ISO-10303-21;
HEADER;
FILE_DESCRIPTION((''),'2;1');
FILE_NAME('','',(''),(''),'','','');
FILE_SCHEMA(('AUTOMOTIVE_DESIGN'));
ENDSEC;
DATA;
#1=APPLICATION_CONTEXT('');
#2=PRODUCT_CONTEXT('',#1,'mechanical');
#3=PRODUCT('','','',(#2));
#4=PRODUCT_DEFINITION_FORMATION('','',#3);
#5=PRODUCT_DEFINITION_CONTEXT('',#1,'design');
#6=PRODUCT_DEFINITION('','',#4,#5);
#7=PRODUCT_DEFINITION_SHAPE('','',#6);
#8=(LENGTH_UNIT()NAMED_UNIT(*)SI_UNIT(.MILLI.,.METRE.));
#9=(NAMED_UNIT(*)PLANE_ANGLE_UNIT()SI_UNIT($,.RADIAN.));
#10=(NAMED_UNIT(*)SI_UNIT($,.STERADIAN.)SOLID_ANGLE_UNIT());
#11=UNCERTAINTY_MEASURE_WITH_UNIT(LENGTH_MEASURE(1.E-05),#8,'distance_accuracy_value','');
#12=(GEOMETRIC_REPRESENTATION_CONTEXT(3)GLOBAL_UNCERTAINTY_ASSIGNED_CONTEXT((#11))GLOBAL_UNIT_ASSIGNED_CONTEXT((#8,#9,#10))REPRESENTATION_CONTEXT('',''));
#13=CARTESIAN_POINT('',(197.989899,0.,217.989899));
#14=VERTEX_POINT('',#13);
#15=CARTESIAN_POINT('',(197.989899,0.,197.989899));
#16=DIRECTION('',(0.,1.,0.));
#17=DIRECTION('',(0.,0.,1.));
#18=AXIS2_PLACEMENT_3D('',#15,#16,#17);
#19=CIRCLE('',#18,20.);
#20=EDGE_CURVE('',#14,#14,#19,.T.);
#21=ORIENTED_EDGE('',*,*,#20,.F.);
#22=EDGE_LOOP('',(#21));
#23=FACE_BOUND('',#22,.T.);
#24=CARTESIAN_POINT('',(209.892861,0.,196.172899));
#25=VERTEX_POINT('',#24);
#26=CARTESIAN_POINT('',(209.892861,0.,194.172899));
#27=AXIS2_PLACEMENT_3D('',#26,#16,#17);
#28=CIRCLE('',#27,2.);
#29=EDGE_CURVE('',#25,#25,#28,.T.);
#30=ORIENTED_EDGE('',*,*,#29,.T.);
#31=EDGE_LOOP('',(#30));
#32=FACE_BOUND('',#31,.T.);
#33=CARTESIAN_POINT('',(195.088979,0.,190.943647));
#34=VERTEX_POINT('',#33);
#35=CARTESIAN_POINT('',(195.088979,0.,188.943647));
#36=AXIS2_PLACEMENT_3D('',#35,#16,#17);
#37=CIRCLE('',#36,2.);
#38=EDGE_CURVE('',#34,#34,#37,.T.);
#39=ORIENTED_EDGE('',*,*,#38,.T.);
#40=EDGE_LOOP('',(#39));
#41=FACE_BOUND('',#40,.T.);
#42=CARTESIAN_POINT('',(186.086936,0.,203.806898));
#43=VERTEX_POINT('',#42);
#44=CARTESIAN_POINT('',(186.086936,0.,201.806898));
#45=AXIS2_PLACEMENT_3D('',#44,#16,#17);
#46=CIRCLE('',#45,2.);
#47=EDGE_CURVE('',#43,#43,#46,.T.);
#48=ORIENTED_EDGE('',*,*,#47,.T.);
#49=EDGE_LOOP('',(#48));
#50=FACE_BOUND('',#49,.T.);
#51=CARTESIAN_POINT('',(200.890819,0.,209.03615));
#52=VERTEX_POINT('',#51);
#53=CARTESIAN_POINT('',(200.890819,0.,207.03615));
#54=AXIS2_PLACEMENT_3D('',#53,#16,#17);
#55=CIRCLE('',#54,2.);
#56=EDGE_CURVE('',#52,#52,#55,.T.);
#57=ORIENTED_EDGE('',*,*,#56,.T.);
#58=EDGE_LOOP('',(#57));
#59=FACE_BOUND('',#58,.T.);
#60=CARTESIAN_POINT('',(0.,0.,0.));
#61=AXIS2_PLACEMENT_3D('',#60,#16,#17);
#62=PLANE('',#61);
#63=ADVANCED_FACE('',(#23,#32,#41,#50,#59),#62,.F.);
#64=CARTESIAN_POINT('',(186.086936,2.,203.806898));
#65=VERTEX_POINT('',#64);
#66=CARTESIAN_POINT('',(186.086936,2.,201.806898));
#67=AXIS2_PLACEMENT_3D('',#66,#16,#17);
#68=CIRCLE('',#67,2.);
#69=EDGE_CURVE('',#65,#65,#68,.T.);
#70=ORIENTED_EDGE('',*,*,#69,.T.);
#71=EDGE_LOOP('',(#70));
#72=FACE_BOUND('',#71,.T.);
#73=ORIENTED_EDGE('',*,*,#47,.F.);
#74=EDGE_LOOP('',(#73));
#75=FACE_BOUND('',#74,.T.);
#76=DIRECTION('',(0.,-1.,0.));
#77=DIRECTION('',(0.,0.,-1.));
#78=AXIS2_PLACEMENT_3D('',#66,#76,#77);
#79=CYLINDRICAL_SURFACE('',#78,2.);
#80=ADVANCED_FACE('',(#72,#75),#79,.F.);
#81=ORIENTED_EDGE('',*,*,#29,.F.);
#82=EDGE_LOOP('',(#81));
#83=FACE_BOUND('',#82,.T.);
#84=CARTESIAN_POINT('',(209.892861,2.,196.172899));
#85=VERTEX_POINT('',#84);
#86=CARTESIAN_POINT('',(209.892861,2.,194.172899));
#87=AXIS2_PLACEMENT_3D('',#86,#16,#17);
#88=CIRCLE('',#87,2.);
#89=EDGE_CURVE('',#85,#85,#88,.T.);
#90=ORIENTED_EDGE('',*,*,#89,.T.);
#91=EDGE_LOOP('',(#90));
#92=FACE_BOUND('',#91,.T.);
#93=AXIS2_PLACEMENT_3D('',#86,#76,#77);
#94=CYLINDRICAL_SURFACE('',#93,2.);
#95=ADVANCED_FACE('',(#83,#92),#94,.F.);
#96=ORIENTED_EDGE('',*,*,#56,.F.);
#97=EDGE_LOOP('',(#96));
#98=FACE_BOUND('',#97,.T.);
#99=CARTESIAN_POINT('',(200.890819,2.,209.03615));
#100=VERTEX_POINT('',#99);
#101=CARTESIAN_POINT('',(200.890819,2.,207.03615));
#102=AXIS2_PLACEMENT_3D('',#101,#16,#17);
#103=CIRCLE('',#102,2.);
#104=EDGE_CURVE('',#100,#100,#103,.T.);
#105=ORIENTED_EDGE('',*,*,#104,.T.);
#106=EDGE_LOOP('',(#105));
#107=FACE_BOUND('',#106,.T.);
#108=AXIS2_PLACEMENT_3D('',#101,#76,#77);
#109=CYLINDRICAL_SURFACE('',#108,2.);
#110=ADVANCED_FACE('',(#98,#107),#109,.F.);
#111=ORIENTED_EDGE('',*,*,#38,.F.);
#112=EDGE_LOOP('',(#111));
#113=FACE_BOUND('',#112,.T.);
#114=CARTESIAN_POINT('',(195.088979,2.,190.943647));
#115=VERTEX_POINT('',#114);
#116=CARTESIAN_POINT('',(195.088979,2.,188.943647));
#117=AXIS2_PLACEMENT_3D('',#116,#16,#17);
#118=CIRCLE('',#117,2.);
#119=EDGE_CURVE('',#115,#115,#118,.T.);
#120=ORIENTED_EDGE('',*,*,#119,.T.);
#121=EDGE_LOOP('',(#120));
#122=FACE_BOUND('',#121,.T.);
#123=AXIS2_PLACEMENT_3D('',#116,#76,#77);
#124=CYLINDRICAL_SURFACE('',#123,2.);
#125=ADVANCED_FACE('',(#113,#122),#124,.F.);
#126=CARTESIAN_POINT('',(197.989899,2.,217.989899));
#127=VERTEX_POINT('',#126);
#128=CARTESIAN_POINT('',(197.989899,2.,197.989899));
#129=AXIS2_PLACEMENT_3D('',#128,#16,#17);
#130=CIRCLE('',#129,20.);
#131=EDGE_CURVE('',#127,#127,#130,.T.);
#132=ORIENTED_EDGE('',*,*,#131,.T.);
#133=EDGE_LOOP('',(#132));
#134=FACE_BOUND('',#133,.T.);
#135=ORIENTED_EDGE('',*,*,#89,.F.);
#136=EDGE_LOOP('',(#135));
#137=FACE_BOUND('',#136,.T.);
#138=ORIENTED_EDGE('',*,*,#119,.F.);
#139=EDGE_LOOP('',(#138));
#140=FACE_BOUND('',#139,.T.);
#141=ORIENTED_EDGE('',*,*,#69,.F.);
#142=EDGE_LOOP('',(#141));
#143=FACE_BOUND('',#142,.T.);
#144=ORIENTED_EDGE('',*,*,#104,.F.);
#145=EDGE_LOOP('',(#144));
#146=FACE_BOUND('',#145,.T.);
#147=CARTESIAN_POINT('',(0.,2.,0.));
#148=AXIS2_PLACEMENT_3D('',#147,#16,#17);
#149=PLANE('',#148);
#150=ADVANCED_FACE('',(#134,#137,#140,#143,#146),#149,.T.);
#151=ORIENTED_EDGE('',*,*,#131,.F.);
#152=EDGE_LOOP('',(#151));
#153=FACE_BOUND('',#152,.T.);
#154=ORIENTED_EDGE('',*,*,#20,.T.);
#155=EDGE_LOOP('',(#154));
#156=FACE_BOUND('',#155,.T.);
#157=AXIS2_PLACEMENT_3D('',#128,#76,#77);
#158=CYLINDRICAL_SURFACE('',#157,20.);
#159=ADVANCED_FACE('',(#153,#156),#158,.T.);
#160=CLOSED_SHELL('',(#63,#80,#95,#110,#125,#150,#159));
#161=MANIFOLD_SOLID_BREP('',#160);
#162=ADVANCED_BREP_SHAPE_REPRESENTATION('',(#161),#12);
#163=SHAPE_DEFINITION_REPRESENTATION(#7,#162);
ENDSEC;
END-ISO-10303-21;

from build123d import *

# Parameters (mm, degrees)
SKETCH2_R           = 20
SKETCH2_R_2         = 2
BOSS_EXTRUDE1_DEPTH = 2


with BuildPart() as part:
    # Sketch2 → Boss-Extrude1 (new body)
    with BuildSketch(Plane(origin=(0, 0, 0), x_dir=(1, 0, 0), z_dir=(0, 1, 0))):
        with Locations(Location((197.989898732, -197.989898732, 0), (0, 0, 270))):
            Circle(SKETCH2_R)
        with Locations(Location((195.08897892, -188.94364734, 0), (0, 0, 270))):
            Circle(SKETCH2_R_2, mode=Mode.SUBTRACT)
        with Locations(Location((209.89286109, -194.17289898, 0), (0, 0, 270))):
            Circle(SKETCH2_R_2, mode=Mode.SUBTRACT)
        with Locations(Location((200.890818544, -207.036150124, 0), (0, 0, 270))):
            Circle(SKETCH2_R_2, mode=Mode.SUBTRACT)
        with Locations(Location((186.086936375, -201.806898485, 0), (0, 0, 270))):
            Circle(SKETCH2_R_2, mode=Mode.SUBTRACT)
    extrude(amount=BOSS_EXTRUDE1_DEPTH)


solid = part.part
